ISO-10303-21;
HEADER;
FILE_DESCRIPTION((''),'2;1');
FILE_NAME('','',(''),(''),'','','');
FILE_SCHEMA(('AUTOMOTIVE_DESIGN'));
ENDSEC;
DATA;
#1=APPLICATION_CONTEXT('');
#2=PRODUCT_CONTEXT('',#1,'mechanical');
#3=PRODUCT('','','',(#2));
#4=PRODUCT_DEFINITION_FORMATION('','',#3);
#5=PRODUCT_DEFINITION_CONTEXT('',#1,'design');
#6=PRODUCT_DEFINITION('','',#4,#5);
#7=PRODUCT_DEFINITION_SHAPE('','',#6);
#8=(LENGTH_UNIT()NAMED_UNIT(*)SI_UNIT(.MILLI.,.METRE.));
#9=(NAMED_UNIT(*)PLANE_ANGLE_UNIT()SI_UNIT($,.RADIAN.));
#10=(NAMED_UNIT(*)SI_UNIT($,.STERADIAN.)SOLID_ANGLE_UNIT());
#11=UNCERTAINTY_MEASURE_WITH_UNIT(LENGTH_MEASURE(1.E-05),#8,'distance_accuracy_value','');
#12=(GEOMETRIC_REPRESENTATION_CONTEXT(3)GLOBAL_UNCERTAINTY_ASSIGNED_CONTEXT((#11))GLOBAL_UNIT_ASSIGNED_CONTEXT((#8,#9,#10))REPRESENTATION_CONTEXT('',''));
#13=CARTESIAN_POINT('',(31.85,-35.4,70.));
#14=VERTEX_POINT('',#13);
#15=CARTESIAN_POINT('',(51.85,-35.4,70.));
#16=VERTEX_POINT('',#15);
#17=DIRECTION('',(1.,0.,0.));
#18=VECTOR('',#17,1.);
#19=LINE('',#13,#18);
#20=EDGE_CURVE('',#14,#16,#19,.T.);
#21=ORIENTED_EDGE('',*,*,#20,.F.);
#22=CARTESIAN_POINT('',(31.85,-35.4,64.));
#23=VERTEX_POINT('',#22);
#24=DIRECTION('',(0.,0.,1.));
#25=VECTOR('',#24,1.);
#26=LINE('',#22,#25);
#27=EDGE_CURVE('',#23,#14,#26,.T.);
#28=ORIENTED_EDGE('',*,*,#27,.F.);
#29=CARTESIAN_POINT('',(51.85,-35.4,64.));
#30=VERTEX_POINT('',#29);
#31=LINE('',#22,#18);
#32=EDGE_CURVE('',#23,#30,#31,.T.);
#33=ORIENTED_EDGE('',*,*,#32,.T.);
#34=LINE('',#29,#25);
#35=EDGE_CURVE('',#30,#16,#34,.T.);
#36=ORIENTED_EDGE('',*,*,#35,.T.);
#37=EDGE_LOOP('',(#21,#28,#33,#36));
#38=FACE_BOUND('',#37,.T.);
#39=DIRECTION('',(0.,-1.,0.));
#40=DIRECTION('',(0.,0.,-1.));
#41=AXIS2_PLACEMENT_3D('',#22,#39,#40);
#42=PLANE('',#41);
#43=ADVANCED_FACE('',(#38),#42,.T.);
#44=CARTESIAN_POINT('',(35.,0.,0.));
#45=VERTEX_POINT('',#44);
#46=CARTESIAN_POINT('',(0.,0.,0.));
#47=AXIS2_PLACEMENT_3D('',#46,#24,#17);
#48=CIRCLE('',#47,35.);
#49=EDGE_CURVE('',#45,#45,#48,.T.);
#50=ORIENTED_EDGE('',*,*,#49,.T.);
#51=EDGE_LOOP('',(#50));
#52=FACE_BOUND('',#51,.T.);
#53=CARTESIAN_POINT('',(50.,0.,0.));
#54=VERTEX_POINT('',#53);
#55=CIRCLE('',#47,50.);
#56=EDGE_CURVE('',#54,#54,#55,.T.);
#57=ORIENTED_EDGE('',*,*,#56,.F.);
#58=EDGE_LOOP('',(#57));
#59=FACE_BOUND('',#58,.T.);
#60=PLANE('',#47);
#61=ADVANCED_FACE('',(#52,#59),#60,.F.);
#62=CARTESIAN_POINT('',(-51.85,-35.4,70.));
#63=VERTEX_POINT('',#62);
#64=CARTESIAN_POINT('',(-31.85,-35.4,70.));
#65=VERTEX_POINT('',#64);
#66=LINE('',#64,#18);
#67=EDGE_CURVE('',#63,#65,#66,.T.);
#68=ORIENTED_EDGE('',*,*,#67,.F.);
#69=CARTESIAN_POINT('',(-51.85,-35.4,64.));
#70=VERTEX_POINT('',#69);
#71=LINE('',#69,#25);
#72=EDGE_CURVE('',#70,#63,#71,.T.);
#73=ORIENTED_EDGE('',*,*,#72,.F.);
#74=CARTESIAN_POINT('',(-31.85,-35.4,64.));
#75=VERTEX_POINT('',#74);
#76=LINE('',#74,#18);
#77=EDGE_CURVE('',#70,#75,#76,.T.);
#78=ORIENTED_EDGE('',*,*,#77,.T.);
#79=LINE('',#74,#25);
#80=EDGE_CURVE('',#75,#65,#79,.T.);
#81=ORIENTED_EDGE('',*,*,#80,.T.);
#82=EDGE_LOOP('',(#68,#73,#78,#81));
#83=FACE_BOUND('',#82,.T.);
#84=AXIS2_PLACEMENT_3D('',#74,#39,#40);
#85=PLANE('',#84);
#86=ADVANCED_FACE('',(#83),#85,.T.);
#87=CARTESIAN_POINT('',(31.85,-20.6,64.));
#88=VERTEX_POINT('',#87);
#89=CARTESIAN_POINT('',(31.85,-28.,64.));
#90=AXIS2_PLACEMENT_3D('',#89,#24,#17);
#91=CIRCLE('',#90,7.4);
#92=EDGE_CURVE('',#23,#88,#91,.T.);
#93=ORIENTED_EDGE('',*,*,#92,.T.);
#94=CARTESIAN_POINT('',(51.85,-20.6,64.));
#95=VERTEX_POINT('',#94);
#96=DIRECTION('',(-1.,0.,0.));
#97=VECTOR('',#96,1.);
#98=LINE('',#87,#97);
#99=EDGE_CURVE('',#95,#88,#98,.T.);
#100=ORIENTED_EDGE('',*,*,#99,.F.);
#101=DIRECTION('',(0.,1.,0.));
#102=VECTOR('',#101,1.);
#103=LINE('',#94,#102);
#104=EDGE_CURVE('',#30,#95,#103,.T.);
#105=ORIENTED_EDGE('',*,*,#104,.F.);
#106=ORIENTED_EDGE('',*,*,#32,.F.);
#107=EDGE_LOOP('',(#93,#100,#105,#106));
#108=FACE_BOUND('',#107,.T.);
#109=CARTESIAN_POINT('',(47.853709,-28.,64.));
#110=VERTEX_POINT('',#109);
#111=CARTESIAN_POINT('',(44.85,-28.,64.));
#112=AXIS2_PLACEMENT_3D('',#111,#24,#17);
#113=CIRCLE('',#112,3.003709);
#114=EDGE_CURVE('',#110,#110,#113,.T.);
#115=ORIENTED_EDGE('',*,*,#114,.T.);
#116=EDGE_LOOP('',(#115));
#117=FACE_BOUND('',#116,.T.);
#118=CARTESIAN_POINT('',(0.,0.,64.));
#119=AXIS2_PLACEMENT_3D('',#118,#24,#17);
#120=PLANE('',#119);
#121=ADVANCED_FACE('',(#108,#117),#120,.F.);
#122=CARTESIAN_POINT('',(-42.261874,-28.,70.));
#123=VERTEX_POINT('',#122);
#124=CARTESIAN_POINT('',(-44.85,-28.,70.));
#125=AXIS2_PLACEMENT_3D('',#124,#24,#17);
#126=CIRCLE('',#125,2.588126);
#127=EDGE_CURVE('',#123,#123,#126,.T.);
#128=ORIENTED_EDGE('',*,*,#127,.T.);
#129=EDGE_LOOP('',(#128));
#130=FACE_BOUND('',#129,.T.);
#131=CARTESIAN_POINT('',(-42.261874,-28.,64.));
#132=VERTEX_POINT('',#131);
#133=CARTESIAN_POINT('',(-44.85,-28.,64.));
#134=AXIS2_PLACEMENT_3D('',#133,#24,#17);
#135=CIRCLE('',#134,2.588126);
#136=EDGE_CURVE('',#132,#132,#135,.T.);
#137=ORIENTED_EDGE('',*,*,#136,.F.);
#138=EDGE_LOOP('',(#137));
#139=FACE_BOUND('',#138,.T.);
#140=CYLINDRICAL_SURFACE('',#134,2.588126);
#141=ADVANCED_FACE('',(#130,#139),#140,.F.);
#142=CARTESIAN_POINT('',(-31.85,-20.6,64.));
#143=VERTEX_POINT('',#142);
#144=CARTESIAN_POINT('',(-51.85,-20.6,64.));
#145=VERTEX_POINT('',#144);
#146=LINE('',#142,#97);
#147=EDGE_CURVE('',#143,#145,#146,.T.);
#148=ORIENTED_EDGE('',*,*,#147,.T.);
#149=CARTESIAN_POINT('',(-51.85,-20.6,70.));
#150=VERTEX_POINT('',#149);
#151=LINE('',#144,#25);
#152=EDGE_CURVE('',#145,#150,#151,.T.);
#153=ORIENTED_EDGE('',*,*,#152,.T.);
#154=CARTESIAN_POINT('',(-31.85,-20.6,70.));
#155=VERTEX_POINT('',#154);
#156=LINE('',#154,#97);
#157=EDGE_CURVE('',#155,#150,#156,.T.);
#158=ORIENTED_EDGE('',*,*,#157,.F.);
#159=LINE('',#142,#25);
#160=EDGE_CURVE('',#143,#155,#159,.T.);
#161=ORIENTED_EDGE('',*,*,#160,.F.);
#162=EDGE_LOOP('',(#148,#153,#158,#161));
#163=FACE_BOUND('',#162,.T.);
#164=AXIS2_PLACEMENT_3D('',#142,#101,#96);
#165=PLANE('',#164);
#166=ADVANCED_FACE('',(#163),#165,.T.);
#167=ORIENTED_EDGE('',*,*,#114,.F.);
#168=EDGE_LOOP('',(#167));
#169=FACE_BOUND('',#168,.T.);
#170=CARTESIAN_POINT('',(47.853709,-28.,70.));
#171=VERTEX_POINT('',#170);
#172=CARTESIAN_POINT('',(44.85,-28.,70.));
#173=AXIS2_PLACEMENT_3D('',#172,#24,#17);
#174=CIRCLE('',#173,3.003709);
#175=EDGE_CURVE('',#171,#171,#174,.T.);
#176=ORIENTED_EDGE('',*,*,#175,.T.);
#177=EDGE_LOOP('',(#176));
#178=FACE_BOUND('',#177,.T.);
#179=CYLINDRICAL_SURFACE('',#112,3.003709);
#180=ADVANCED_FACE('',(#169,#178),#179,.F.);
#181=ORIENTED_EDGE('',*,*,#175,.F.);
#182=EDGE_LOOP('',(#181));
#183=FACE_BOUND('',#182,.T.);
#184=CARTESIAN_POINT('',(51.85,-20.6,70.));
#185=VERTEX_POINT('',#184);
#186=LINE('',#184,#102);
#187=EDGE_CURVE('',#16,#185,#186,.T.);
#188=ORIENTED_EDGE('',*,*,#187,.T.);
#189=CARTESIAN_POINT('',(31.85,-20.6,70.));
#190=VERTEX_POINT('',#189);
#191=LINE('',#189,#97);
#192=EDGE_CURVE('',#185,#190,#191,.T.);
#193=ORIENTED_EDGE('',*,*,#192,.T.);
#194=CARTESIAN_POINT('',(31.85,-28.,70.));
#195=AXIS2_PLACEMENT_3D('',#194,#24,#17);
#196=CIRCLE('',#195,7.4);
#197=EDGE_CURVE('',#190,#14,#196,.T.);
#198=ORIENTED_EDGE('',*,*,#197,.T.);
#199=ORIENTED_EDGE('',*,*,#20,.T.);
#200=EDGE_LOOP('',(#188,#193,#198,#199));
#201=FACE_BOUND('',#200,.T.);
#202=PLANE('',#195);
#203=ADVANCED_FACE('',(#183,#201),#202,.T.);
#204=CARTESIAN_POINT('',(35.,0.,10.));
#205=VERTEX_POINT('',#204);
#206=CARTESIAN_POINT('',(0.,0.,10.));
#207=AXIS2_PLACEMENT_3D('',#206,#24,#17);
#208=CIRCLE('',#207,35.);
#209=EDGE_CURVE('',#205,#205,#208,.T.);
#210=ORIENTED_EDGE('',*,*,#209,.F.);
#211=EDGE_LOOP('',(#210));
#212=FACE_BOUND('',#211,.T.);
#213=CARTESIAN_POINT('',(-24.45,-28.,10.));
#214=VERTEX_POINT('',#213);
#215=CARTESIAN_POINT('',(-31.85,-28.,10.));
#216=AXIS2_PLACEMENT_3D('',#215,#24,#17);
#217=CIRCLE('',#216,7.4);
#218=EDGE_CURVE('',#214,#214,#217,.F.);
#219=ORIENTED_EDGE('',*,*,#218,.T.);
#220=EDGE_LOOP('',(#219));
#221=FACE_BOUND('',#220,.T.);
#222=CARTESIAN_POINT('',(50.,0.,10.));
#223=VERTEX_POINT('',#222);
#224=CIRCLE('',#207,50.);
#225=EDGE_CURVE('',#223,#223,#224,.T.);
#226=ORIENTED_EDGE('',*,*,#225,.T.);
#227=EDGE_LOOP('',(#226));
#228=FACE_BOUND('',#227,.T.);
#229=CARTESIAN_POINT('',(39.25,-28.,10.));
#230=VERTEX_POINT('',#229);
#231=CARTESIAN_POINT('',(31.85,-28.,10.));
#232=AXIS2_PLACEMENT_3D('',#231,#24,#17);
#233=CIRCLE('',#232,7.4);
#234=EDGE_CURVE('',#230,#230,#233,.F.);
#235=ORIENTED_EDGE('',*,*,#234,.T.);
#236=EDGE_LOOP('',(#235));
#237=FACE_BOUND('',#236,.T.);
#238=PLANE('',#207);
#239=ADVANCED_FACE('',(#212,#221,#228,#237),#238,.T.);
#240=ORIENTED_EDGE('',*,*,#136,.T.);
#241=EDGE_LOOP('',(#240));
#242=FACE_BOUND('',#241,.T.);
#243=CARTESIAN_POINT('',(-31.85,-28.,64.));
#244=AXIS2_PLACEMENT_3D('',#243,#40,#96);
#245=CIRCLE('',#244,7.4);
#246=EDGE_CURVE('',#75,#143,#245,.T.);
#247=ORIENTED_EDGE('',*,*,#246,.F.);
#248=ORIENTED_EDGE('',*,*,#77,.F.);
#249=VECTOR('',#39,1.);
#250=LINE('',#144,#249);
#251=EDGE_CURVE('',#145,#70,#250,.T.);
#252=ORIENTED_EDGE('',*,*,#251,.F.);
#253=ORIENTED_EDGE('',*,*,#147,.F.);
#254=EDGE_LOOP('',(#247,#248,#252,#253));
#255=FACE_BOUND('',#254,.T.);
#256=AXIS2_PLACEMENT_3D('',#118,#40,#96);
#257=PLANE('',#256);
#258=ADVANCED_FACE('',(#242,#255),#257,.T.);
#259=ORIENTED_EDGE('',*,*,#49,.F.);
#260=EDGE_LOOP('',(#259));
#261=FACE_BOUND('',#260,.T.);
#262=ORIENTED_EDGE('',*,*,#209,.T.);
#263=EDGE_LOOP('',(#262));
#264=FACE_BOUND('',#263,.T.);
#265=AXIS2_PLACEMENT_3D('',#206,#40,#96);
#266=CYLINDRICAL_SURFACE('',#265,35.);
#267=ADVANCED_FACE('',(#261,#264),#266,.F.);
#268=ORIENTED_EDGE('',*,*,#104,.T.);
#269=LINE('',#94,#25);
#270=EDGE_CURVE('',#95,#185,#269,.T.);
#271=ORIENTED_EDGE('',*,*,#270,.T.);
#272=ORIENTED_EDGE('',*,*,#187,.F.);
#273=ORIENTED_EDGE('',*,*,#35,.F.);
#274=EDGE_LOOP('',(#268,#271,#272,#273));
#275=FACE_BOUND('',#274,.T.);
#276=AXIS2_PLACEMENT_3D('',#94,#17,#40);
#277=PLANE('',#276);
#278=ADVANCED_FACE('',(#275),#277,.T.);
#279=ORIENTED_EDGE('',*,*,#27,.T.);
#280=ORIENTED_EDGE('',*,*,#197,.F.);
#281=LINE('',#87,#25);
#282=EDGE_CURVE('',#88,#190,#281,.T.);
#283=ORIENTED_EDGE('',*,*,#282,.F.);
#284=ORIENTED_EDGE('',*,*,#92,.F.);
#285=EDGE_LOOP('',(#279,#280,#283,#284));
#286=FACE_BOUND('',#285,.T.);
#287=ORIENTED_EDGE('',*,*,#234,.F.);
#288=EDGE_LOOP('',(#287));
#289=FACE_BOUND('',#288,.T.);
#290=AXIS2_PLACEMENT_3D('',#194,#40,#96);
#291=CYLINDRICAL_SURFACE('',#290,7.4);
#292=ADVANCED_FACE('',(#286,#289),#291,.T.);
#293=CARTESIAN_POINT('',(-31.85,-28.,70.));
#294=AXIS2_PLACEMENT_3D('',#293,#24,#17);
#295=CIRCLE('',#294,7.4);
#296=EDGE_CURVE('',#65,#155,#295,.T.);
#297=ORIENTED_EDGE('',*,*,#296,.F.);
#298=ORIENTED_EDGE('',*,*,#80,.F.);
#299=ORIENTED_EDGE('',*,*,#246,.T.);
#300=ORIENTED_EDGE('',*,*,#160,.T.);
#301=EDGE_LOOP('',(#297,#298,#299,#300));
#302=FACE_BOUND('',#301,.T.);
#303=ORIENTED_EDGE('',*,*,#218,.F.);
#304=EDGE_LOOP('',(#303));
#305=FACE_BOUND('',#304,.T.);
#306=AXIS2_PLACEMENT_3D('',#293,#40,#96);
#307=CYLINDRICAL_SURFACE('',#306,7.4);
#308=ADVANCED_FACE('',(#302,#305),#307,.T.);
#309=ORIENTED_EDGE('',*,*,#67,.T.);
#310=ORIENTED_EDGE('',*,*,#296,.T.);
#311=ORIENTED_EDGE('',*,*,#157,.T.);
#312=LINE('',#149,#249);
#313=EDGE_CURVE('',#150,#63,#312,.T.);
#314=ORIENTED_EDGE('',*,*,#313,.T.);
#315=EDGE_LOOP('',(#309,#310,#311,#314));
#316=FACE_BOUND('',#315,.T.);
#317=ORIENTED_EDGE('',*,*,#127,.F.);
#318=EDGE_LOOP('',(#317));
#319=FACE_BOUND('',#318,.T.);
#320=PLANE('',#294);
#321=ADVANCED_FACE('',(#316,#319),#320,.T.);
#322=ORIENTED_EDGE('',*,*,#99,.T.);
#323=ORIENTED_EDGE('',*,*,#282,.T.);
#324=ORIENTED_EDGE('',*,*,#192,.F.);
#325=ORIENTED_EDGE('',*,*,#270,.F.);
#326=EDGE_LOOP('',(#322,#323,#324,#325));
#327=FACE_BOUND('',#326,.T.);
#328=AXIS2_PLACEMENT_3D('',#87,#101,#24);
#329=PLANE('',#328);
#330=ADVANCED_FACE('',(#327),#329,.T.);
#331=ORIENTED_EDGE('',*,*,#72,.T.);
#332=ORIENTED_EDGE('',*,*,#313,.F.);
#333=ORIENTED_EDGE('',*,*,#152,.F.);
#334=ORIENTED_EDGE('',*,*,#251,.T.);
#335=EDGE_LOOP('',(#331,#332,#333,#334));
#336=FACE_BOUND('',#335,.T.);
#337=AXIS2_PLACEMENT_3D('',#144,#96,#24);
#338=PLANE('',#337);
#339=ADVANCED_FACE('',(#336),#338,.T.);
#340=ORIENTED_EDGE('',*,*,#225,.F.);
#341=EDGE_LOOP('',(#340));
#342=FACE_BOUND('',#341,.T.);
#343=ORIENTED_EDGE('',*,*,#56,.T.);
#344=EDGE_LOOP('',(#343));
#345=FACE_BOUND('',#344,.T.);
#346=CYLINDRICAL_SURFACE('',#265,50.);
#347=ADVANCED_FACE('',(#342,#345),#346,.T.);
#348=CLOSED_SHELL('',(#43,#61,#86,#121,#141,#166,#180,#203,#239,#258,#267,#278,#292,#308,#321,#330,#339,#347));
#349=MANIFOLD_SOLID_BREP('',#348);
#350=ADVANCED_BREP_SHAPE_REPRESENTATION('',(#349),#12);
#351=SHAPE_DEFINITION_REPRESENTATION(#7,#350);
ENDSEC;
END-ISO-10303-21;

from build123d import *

# Parameters (mm, degrees)
ESQUISSE1_R        = 50
ESQUISSE1_R_2      = 35
BOSS_EXTRU_2_DEPTH = 10
ESQUISSE4_R        = 7.4
BOSS_EXTRU_3_DEPTH = 70
ESQUISSE5_W        = 20
ESQUISSE5_H        = 14.8
ESQUISSE5_R        = 2.588125741
ESQUISSE5_R_2      = 3.00370922
BOSS_EXTRU_4_DEPTH = 6


with BuildPart() as part:
    # Esquisse1 → Boss.-Extru.2 (new body)
    with BuildSketch(Plane.XY):
        Circle(ESQUISSE1_R)
        Circle(ESQUISSE1_R_2, mode=Mode.SUBTRACT)
    extrude(amount=BOSS_EXTRU_2_DEPTH)

    # Esquisse4 → Boss.-Extru.3 (add)
    with BuildSketch(Plane.XY):
        with Locations((-31.85, -28)):
            Circle(ESQUISSE4_R)
        with Locations((31.85, -28)):
            Circle(ESQUISSE4_R)
    extrude(amount=BOSS_EXTRU_3_DEPTH)

    # Esquisse5 → Boss.-Extru.4 (add)
    # profile 1 of 2: a face of its own
    with BuildSketch(Plane.XY.offset(70)):
        with Locations((-41.85, -28)):
            Rectangle(ESQUISSE5_W, ESQUISSE5_H)
        with Locations((-44.85, -28)):
            Circle(ESQUISSE5_R, mode=Mode.SUBTRACT)
    # profile 2 of 2: a face of its own
    with BuildSketch(Plane.XY.offset(70)):
        with Locations((41.85, -28)):
            Rectangle(ESQUISSE5_W, ESQUISSE5_H)
        with Locations((44.85, -28)):
            Circle(ESQUISSE5_R_2, mode=Mode.SUBTRACT)
    extrude(amount=-BOSS_EXTRU_4_DEPTH)


solid = part.part
